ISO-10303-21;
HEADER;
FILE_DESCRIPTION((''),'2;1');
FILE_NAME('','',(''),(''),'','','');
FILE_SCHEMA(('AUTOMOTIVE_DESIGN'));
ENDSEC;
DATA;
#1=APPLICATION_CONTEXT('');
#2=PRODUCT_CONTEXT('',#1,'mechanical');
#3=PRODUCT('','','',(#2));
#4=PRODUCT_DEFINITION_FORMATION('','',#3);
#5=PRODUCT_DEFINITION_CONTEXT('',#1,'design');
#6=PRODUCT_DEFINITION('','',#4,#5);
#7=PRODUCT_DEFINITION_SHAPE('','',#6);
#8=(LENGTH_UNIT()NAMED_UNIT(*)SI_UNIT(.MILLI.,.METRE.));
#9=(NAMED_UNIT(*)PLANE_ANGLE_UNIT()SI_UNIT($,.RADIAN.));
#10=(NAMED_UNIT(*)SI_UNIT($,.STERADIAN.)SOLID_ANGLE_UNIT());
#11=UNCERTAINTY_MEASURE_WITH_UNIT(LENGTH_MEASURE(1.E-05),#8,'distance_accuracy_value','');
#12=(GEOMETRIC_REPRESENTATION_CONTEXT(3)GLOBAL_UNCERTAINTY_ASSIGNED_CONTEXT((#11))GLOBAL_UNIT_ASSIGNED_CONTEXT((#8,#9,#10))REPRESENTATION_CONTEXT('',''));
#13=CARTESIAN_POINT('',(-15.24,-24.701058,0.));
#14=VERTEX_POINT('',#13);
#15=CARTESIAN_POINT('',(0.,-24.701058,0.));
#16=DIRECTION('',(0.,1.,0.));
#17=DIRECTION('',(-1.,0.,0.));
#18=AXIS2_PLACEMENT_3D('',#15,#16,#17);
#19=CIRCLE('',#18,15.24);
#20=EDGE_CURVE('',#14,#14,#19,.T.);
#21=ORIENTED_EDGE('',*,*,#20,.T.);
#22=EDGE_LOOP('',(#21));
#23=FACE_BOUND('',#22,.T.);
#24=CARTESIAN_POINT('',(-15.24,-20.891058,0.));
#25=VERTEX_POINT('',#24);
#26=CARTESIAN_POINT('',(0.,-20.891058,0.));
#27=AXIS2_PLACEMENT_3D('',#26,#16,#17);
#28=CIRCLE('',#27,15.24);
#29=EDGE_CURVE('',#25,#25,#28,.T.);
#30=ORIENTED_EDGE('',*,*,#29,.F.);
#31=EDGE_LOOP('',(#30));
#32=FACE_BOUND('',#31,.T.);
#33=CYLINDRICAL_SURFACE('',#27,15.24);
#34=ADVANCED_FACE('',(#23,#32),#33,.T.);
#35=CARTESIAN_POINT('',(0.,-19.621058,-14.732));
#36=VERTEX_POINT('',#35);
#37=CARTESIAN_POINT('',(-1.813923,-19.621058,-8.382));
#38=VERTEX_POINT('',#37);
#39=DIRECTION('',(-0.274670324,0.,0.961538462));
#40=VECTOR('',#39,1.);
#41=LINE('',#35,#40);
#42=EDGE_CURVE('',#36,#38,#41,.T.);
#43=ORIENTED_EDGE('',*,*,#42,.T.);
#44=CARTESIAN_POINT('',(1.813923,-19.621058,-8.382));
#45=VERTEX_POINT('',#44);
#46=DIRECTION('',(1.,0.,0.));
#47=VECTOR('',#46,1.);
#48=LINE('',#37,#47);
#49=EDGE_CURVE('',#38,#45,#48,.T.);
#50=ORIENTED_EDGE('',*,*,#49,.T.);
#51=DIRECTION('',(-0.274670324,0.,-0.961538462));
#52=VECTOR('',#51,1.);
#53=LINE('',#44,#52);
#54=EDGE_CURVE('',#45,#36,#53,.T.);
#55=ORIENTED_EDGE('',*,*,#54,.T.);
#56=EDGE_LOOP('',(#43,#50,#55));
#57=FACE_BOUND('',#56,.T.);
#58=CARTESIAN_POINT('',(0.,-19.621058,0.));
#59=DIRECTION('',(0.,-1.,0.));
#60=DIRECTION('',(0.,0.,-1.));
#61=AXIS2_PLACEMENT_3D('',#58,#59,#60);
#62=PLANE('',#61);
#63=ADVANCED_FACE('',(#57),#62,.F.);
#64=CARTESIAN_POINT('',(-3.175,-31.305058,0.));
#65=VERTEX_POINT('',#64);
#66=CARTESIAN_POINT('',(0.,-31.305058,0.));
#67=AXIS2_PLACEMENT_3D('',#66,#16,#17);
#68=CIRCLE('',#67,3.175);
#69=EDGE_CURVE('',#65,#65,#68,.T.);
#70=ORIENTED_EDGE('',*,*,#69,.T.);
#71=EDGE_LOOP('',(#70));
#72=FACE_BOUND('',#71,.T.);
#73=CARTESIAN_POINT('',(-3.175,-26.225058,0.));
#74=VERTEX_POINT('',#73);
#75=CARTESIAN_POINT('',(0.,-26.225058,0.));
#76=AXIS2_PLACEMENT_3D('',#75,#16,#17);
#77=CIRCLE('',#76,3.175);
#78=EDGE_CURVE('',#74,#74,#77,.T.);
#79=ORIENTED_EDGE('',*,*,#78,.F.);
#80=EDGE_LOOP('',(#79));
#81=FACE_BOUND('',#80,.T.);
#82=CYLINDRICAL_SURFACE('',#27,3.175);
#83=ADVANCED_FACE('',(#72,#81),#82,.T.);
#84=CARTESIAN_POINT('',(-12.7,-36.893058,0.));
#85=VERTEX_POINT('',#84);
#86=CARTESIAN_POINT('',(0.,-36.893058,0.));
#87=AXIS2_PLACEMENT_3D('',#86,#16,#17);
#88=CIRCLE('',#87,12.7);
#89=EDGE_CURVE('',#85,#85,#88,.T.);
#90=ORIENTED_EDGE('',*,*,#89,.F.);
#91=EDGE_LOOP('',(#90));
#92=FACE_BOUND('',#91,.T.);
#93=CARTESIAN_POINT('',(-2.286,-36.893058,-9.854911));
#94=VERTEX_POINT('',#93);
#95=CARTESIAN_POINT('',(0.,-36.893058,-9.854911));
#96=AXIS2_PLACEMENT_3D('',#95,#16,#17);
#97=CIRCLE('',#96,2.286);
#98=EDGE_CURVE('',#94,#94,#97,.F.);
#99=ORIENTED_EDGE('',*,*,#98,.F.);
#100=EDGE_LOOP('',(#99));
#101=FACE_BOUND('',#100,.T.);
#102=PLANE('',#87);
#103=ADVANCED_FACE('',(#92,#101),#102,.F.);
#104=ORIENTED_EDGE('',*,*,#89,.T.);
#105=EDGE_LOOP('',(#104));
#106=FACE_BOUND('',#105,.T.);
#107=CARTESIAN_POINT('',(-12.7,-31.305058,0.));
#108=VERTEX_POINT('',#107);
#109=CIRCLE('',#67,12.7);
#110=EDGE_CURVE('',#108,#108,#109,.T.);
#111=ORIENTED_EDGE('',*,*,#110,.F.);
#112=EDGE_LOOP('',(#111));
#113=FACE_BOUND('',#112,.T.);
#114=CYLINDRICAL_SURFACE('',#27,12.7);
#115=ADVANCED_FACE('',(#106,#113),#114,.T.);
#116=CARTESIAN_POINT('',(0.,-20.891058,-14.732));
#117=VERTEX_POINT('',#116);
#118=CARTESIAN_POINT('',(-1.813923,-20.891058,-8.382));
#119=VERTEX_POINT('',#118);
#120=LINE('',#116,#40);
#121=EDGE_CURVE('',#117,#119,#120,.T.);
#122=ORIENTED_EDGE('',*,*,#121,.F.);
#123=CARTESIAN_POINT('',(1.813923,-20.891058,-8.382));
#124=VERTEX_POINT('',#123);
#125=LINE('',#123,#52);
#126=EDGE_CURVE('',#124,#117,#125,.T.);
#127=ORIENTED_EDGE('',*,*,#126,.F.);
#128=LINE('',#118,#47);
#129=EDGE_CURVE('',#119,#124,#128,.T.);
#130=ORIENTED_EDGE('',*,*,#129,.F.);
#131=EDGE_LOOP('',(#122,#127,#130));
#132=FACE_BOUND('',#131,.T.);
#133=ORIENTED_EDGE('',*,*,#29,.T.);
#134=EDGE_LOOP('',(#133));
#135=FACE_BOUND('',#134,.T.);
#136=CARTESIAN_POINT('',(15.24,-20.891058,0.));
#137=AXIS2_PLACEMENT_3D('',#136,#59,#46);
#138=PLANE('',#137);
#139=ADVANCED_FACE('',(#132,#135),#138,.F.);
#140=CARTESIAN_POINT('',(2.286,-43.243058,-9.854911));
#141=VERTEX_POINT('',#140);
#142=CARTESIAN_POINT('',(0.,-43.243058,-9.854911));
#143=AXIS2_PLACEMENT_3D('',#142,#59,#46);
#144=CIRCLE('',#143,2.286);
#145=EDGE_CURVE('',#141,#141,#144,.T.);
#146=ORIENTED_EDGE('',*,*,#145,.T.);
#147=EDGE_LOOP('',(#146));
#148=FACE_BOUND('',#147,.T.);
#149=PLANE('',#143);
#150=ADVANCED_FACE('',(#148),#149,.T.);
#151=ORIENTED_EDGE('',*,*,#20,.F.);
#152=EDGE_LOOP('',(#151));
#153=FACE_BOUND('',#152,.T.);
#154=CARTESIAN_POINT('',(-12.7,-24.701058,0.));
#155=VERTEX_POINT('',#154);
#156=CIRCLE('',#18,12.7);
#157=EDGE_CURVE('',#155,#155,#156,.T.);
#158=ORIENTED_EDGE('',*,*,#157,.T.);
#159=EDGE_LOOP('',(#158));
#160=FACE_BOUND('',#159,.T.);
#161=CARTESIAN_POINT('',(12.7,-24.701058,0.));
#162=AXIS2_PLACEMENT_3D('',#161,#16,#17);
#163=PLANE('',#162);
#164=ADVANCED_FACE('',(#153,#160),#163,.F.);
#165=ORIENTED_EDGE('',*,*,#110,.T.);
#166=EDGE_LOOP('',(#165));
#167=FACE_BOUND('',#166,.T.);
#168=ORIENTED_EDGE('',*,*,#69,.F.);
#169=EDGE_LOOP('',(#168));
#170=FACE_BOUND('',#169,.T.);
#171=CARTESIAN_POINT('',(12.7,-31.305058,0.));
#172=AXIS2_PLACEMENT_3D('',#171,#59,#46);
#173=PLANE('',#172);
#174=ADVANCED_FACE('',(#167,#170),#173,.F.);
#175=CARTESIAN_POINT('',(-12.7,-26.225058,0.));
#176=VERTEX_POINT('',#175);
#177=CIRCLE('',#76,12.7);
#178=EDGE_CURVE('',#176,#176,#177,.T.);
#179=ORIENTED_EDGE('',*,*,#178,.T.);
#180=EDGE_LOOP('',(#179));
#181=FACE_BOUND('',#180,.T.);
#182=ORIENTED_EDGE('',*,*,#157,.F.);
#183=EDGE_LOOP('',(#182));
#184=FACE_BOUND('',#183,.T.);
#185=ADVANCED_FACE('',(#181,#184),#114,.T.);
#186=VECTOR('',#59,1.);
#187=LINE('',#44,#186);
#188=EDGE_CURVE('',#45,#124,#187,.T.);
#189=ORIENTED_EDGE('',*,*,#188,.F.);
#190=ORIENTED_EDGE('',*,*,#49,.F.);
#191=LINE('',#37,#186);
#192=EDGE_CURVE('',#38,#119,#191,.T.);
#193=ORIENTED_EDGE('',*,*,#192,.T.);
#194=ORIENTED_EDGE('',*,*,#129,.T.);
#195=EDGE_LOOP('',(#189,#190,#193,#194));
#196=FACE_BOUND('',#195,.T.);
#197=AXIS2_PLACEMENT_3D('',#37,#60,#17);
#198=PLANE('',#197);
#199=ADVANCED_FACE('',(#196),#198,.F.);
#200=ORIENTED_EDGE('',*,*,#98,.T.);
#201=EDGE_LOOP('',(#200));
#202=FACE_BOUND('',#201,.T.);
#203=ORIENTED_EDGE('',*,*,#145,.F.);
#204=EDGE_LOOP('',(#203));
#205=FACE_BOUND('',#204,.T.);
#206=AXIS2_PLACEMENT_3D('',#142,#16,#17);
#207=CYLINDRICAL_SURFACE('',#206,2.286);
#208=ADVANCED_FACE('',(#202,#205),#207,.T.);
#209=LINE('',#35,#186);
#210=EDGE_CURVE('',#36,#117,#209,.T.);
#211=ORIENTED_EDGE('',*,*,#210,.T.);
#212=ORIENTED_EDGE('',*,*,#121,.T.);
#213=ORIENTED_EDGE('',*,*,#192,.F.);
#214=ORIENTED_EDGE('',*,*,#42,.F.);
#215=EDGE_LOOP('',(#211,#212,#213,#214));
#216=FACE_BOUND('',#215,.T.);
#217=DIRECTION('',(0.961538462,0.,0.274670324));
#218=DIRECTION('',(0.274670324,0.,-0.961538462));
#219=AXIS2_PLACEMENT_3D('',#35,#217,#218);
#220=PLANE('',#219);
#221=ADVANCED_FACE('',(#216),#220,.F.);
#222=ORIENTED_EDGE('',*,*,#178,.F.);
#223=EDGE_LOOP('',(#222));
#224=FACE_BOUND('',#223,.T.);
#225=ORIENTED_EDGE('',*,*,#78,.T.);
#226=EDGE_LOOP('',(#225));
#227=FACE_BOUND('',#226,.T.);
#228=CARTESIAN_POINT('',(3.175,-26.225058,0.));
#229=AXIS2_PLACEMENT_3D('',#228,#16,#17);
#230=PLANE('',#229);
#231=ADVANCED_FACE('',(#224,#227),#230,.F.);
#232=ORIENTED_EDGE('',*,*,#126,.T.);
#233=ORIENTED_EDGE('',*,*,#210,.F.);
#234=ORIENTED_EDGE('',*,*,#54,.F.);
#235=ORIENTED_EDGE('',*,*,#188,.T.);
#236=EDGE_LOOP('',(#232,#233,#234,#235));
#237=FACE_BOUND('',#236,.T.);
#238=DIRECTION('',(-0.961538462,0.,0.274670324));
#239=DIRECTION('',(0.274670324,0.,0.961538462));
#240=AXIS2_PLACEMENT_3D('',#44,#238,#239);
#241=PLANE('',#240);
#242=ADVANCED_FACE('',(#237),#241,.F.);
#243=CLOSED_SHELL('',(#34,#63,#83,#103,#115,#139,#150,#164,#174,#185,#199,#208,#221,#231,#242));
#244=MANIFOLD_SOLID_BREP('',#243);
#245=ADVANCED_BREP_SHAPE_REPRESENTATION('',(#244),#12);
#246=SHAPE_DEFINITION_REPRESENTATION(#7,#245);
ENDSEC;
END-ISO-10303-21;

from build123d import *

# Parameters (mm, degrees)
ARROW_DEPTH = 1.27
SKETCH3_R   = 2.286
FLAG_DEPTH  = 6.35


with BuildPart() as part:
    # Sketch1 → dial base shape (revolve)
    with BuildSketch(Plane.XY, mode=Mode.PRIVATE) as dial_base_shape_sk:
        Polygon((0, -20.891058424), (0, -36.893058424), (12.7, -36.893058424), (12.7, -31.305058424), (3.175, -31.305058424), (3.175, -26.225058424), (12.7, -26.225058424), (12.7, -24.701058424), (15.24, -24.701058424), (15.24, -20.891058424), align=None)
    revolve(dial_base_shape_sk.sketch.rotate(Axis((0, -20.891058424, 0), (0, -1, 0)), 180), axis=Axis((0, -20.891058424, 0), (0, -1, 0)))

    # Sketch2 → arrow (add)
    with BuildSketch(Plane(origin=(0, -20.891058424, 0), x_dir=(1, 0, 0), z_dir=(0, 1, 0))):
        Polygon((0, 14.732), (-1.813922821, 8.382), (1.813922821, 8.382), align=None)
    extrude(amount=ARROW_DEPTH)

    # Sketch3 → flag (add)
    with BuildSketch(Plane.XZ.offset(36.893058424)):
        with Locations(Location((0, -9.854910999, 0), (0, 0, 180))):
            Circle(SKETCH3_R)
    extrude(amount=FLAG_DEPTH)


solid = part.part
